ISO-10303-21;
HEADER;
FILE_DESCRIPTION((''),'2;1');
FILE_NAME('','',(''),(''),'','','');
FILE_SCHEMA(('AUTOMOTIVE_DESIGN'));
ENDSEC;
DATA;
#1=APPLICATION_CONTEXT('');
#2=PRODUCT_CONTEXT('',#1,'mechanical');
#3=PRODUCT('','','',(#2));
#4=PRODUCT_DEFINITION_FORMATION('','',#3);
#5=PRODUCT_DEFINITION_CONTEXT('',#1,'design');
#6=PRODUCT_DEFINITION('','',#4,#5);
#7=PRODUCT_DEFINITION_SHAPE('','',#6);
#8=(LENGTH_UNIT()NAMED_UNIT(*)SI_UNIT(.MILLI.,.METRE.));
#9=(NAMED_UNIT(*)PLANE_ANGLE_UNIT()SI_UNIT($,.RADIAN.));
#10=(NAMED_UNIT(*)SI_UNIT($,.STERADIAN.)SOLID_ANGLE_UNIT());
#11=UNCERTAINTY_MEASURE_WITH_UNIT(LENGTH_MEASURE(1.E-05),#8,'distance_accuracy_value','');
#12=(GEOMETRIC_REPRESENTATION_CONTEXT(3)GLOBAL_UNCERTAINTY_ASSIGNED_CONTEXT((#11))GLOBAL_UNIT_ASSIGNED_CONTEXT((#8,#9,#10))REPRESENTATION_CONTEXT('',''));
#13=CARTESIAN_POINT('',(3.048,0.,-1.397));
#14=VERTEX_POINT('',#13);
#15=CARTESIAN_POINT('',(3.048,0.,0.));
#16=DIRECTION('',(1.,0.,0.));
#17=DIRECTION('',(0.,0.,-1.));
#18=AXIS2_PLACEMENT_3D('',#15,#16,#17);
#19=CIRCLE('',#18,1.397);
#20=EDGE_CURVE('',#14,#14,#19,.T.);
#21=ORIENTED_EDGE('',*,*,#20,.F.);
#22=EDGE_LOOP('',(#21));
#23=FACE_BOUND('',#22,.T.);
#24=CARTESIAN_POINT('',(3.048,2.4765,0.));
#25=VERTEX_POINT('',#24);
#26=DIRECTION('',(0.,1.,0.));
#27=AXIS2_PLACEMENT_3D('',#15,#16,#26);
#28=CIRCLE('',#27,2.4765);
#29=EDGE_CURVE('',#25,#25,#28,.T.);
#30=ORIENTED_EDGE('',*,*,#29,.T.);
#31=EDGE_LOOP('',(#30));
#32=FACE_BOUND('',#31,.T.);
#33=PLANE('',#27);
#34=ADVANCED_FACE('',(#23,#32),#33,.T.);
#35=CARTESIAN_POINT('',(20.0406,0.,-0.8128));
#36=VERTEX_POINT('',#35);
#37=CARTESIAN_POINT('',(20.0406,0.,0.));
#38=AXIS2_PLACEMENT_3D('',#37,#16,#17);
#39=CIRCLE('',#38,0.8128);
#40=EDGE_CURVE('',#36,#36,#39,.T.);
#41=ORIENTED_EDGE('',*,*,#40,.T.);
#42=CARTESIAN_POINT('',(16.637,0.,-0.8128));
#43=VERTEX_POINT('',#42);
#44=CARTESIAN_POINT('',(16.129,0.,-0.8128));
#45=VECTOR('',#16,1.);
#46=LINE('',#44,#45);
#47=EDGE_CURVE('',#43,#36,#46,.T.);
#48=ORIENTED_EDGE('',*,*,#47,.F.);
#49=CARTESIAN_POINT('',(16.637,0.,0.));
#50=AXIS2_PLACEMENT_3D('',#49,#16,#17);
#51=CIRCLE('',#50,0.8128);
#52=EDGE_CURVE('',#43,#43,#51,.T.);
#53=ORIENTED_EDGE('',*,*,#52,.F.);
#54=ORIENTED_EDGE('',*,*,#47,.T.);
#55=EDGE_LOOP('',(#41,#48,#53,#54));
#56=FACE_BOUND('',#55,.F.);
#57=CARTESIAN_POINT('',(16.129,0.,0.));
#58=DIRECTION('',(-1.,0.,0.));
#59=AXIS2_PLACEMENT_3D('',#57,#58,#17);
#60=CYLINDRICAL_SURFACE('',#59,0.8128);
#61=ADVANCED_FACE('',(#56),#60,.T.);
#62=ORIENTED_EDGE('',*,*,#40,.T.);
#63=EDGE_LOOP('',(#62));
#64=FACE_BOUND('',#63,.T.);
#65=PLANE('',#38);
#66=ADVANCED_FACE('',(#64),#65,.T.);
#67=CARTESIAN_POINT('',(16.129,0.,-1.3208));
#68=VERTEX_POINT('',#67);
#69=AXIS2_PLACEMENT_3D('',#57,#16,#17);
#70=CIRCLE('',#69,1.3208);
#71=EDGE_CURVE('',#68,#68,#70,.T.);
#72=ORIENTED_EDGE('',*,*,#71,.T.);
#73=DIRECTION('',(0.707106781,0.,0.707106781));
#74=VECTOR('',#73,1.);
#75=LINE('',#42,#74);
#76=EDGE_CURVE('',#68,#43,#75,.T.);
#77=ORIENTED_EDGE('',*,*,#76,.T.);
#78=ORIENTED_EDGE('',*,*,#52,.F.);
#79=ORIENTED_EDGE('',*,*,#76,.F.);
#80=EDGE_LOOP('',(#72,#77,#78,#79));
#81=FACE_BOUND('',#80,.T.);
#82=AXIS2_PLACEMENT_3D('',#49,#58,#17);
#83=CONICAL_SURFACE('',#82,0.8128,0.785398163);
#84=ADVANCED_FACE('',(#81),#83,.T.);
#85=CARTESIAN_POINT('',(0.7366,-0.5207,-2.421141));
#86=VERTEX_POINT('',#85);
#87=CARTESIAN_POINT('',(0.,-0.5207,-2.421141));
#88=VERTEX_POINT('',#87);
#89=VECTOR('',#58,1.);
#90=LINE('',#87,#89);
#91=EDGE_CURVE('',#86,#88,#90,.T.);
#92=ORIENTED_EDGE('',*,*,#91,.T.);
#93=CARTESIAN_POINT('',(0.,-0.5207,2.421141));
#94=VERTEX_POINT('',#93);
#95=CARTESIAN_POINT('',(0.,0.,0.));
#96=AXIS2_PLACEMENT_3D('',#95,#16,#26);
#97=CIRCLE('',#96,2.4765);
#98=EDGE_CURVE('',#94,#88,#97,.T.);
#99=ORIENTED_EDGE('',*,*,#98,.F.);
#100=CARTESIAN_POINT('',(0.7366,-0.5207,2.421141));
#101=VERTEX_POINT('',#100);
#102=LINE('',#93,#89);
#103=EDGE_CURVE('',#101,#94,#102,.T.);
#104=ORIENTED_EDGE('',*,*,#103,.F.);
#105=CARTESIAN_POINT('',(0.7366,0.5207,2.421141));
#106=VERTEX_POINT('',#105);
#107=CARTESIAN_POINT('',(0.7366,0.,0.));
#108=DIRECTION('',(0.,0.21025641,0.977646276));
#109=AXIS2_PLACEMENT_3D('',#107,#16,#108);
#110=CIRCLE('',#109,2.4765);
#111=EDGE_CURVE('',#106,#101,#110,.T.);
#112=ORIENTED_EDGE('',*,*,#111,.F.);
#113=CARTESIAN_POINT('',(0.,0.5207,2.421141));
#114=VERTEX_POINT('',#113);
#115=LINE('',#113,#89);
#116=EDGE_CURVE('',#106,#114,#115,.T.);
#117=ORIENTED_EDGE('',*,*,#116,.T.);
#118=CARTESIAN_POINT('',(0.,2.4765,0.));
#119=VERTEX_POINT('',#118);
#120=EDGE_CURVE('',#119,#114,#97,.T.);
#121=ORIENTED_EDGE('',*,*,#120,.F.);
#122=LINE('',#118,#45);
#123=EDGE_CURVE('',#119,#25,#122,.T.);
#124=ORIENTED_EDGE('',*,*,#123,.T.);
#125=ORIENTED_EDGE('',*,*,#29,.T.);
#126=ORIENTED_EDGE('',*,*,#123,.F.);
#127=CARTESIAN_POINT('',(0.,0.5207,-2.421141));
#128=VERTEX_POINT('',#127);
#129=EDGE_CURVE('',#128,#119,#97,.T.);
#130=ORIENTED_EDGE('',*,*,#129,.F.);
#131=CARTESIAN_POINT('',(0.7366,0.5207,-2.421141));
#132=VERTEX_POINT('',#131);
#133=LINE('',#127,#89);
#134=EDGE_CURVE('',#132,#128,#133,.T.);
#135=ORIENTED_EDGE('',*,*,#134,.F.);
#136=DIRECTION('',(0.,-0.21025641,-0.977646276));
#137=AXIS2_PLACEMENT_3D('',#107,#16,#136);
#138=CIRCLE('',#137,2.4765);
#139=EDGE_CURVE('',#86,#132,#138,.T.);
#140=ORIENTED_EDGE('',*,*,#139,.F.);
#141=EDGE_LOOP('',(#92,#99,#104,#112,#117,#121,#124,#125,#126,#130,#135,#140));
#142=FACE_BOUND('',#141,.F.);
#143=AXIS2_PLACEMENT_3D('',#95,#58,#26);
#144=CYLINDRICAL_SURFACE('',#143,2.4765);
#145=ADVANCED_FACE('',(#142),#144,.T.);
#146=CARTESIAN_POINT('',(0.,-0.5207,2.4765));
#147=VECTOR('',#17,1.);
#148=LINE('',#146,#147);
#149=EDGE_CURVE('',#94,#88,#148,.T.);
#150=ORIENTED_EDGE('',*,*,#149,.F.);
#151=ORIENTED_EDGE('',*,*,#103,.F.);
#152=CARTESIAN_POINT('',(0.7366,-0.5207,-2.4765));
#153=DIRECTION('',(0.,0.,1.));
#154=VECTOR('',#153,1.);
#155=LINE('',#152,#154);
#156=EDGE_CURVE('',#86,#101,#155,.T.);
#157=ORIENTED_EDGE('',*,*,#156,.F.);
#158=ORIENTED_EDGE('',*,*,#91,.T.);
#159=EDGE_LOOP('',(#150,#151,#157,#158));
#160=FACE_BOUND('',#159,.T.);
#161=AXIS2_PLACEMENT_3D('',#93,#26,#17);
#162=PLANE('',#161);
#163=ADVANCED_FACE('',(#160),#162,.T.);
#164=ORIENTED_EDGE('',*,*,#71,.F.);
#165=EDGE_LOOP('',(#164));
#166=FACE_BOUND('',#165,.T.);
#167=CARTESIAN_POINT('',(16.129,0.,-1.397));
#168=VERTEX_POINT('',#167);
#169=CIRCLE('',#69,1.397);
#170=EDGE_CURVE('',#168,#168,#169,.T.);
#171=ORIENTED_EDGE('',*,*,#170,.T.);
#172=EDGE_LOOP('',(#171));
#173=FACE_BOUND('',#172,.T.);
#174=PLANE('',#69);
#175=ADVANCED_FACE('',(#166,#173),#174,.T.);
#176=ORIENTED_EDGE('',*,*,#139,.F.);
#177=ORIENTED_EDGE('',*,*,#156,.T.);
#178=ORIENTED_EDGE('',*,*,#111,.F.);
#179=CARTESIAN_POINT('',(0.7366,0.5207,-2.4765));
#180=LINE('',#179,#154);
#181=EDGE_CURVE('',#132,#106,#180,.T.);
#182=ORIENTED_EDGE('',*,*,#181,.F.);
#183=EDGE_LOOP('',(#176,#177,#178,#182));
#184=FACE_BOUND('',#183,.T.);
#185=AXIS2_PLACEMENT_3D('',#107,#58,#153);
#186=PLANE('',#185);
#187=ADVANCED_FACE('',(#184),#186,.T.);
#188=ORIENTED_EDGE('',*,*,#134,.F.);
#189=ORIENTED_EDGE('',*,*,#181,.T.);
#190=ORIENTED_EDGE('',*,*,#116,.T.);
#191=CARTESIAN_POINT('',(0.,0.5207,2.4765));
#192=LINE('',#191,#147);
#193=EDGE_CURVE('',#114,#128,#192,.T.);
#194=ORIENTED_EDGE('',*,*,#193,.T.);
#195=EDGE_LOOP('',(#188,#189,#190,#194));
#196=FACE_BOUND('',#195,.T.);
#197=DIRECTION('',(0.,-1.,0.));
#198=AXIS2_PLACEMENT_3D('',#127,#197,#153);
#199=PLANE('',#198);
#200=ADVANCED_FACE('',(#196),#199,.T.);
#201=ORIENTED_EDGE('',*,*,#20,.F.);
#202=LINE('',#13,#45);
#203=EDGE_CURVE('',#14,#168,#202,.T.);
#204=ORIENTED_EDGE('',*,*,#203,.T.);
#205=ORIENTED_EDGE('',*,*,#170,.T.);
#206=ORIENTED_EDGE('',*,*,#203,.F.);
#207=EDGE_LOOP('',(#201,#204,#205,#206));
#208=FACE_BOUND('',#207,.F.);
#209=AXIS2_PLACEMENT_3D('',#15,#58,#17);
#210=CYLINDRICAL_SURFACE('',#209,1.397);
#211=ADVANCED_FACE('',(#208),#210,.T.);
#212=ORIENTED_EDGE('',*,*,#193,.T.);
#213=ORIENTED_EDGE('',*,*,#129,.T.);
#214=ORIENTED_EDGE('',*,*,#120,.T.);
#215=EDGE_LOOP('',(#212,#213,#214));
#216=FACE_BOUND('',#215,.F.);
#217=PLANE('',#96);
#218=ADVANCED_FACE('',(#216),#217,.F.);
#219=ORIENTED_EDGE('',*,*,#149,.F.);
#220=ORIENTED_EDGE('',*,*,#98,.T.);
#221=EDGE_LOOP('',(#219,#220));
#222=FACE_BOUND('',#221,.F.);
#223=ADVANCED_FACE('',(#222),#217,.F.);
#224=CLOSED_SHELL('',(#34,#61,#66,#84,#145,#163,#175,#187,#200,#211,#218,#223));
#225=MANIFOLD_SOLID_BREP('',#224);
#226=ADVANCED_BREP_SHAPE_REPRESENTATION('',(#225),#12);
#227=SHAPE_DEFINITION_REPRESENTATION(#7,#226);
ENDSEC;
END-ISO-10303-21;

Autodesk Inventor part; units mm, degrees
ref_plane "YZ Plane" through (0, 0, 0) normal (1, 0, 0) x (0, 1, 0)
ref_plane "XZ Plane" through (0, 0, 0) normal (0, 1, 0) x (-1, 0, 0)
ref_plane "XY Plane" through (0, 0, 0) normal (0, 0, 1) x (1, 0, 0)
sketch "Sketch1" plane through (0, 0, 0) normal (1, 0, 0) x (0, 1, 0)
  circle A0 centre (0, 0) radius 2.4765
  dimension "d1" = 4.953
extrude "Extrusion1" add sketch "Sketch1" along normal blind 3.048
sketch "Sketch2" plane through (3.048, 0, 0) normal (1, 0, 0) x (0, 0, -1)
  circle A0 centre (0, 0) radius 2.4765 projected
  circle A1 centre (0, 0) radius 1.397
  dimension "d5" = 2.794
extrude "Extrusion2" add sketch "Sketch2" along normal blind 13.081 contours A1
sketch "Sketch3" plane through (16.129, 0, 0) normal (1, 0, 0) x (0, 0, -1)
  circle A0 centre (0, 0) radius 1.397 projected
  circle A1 centre (0, 0) radius 0.8128
  dimension "d8" = 1.6256
extrude "Extrusion3" add sketch "Sketch3" along normal blind 3.9116 contours A1
chamfer "Chamfer1" distance 0.508 angle 45 1 edges at (16.129, 0, 0.8128)
thread "Thread1" size "4-40 UNC" class "2A" standard "ANSI Unified Screw Threads" full length
sketch "Sketch4" plane through (0, 0, 0) normal (-1, 0, 0) x (0, 0, 1)
  circle A0 centre (0, 0) radius 2.4765 projected
  line L0 (-2.4765, 0.5207) -> (2.4765, 0.5207)
  line L1 (2.4765, 0.5207) -> (2.4765, -0.5207)
  line L2 (2.4765, -0.5207) -> (-2.4765, -0.5207)
  line L3 (-2.4765, -0.5207) -> (-2.4765, 0.5207)
  dimension "d16" = 1.0414
  dimension "d18" = 0.5207
extrude "Extrusion4" cut sketch "Sketch4" against normal blind 0.7366 contours A0 L2 L0 | L1 L2 A0 | A0 L0 L1 | A0 L3 L0 | L2 L3 A0
equation "\"d18\" = 0.5 * d16"
properties part number "Air Adjuster"
